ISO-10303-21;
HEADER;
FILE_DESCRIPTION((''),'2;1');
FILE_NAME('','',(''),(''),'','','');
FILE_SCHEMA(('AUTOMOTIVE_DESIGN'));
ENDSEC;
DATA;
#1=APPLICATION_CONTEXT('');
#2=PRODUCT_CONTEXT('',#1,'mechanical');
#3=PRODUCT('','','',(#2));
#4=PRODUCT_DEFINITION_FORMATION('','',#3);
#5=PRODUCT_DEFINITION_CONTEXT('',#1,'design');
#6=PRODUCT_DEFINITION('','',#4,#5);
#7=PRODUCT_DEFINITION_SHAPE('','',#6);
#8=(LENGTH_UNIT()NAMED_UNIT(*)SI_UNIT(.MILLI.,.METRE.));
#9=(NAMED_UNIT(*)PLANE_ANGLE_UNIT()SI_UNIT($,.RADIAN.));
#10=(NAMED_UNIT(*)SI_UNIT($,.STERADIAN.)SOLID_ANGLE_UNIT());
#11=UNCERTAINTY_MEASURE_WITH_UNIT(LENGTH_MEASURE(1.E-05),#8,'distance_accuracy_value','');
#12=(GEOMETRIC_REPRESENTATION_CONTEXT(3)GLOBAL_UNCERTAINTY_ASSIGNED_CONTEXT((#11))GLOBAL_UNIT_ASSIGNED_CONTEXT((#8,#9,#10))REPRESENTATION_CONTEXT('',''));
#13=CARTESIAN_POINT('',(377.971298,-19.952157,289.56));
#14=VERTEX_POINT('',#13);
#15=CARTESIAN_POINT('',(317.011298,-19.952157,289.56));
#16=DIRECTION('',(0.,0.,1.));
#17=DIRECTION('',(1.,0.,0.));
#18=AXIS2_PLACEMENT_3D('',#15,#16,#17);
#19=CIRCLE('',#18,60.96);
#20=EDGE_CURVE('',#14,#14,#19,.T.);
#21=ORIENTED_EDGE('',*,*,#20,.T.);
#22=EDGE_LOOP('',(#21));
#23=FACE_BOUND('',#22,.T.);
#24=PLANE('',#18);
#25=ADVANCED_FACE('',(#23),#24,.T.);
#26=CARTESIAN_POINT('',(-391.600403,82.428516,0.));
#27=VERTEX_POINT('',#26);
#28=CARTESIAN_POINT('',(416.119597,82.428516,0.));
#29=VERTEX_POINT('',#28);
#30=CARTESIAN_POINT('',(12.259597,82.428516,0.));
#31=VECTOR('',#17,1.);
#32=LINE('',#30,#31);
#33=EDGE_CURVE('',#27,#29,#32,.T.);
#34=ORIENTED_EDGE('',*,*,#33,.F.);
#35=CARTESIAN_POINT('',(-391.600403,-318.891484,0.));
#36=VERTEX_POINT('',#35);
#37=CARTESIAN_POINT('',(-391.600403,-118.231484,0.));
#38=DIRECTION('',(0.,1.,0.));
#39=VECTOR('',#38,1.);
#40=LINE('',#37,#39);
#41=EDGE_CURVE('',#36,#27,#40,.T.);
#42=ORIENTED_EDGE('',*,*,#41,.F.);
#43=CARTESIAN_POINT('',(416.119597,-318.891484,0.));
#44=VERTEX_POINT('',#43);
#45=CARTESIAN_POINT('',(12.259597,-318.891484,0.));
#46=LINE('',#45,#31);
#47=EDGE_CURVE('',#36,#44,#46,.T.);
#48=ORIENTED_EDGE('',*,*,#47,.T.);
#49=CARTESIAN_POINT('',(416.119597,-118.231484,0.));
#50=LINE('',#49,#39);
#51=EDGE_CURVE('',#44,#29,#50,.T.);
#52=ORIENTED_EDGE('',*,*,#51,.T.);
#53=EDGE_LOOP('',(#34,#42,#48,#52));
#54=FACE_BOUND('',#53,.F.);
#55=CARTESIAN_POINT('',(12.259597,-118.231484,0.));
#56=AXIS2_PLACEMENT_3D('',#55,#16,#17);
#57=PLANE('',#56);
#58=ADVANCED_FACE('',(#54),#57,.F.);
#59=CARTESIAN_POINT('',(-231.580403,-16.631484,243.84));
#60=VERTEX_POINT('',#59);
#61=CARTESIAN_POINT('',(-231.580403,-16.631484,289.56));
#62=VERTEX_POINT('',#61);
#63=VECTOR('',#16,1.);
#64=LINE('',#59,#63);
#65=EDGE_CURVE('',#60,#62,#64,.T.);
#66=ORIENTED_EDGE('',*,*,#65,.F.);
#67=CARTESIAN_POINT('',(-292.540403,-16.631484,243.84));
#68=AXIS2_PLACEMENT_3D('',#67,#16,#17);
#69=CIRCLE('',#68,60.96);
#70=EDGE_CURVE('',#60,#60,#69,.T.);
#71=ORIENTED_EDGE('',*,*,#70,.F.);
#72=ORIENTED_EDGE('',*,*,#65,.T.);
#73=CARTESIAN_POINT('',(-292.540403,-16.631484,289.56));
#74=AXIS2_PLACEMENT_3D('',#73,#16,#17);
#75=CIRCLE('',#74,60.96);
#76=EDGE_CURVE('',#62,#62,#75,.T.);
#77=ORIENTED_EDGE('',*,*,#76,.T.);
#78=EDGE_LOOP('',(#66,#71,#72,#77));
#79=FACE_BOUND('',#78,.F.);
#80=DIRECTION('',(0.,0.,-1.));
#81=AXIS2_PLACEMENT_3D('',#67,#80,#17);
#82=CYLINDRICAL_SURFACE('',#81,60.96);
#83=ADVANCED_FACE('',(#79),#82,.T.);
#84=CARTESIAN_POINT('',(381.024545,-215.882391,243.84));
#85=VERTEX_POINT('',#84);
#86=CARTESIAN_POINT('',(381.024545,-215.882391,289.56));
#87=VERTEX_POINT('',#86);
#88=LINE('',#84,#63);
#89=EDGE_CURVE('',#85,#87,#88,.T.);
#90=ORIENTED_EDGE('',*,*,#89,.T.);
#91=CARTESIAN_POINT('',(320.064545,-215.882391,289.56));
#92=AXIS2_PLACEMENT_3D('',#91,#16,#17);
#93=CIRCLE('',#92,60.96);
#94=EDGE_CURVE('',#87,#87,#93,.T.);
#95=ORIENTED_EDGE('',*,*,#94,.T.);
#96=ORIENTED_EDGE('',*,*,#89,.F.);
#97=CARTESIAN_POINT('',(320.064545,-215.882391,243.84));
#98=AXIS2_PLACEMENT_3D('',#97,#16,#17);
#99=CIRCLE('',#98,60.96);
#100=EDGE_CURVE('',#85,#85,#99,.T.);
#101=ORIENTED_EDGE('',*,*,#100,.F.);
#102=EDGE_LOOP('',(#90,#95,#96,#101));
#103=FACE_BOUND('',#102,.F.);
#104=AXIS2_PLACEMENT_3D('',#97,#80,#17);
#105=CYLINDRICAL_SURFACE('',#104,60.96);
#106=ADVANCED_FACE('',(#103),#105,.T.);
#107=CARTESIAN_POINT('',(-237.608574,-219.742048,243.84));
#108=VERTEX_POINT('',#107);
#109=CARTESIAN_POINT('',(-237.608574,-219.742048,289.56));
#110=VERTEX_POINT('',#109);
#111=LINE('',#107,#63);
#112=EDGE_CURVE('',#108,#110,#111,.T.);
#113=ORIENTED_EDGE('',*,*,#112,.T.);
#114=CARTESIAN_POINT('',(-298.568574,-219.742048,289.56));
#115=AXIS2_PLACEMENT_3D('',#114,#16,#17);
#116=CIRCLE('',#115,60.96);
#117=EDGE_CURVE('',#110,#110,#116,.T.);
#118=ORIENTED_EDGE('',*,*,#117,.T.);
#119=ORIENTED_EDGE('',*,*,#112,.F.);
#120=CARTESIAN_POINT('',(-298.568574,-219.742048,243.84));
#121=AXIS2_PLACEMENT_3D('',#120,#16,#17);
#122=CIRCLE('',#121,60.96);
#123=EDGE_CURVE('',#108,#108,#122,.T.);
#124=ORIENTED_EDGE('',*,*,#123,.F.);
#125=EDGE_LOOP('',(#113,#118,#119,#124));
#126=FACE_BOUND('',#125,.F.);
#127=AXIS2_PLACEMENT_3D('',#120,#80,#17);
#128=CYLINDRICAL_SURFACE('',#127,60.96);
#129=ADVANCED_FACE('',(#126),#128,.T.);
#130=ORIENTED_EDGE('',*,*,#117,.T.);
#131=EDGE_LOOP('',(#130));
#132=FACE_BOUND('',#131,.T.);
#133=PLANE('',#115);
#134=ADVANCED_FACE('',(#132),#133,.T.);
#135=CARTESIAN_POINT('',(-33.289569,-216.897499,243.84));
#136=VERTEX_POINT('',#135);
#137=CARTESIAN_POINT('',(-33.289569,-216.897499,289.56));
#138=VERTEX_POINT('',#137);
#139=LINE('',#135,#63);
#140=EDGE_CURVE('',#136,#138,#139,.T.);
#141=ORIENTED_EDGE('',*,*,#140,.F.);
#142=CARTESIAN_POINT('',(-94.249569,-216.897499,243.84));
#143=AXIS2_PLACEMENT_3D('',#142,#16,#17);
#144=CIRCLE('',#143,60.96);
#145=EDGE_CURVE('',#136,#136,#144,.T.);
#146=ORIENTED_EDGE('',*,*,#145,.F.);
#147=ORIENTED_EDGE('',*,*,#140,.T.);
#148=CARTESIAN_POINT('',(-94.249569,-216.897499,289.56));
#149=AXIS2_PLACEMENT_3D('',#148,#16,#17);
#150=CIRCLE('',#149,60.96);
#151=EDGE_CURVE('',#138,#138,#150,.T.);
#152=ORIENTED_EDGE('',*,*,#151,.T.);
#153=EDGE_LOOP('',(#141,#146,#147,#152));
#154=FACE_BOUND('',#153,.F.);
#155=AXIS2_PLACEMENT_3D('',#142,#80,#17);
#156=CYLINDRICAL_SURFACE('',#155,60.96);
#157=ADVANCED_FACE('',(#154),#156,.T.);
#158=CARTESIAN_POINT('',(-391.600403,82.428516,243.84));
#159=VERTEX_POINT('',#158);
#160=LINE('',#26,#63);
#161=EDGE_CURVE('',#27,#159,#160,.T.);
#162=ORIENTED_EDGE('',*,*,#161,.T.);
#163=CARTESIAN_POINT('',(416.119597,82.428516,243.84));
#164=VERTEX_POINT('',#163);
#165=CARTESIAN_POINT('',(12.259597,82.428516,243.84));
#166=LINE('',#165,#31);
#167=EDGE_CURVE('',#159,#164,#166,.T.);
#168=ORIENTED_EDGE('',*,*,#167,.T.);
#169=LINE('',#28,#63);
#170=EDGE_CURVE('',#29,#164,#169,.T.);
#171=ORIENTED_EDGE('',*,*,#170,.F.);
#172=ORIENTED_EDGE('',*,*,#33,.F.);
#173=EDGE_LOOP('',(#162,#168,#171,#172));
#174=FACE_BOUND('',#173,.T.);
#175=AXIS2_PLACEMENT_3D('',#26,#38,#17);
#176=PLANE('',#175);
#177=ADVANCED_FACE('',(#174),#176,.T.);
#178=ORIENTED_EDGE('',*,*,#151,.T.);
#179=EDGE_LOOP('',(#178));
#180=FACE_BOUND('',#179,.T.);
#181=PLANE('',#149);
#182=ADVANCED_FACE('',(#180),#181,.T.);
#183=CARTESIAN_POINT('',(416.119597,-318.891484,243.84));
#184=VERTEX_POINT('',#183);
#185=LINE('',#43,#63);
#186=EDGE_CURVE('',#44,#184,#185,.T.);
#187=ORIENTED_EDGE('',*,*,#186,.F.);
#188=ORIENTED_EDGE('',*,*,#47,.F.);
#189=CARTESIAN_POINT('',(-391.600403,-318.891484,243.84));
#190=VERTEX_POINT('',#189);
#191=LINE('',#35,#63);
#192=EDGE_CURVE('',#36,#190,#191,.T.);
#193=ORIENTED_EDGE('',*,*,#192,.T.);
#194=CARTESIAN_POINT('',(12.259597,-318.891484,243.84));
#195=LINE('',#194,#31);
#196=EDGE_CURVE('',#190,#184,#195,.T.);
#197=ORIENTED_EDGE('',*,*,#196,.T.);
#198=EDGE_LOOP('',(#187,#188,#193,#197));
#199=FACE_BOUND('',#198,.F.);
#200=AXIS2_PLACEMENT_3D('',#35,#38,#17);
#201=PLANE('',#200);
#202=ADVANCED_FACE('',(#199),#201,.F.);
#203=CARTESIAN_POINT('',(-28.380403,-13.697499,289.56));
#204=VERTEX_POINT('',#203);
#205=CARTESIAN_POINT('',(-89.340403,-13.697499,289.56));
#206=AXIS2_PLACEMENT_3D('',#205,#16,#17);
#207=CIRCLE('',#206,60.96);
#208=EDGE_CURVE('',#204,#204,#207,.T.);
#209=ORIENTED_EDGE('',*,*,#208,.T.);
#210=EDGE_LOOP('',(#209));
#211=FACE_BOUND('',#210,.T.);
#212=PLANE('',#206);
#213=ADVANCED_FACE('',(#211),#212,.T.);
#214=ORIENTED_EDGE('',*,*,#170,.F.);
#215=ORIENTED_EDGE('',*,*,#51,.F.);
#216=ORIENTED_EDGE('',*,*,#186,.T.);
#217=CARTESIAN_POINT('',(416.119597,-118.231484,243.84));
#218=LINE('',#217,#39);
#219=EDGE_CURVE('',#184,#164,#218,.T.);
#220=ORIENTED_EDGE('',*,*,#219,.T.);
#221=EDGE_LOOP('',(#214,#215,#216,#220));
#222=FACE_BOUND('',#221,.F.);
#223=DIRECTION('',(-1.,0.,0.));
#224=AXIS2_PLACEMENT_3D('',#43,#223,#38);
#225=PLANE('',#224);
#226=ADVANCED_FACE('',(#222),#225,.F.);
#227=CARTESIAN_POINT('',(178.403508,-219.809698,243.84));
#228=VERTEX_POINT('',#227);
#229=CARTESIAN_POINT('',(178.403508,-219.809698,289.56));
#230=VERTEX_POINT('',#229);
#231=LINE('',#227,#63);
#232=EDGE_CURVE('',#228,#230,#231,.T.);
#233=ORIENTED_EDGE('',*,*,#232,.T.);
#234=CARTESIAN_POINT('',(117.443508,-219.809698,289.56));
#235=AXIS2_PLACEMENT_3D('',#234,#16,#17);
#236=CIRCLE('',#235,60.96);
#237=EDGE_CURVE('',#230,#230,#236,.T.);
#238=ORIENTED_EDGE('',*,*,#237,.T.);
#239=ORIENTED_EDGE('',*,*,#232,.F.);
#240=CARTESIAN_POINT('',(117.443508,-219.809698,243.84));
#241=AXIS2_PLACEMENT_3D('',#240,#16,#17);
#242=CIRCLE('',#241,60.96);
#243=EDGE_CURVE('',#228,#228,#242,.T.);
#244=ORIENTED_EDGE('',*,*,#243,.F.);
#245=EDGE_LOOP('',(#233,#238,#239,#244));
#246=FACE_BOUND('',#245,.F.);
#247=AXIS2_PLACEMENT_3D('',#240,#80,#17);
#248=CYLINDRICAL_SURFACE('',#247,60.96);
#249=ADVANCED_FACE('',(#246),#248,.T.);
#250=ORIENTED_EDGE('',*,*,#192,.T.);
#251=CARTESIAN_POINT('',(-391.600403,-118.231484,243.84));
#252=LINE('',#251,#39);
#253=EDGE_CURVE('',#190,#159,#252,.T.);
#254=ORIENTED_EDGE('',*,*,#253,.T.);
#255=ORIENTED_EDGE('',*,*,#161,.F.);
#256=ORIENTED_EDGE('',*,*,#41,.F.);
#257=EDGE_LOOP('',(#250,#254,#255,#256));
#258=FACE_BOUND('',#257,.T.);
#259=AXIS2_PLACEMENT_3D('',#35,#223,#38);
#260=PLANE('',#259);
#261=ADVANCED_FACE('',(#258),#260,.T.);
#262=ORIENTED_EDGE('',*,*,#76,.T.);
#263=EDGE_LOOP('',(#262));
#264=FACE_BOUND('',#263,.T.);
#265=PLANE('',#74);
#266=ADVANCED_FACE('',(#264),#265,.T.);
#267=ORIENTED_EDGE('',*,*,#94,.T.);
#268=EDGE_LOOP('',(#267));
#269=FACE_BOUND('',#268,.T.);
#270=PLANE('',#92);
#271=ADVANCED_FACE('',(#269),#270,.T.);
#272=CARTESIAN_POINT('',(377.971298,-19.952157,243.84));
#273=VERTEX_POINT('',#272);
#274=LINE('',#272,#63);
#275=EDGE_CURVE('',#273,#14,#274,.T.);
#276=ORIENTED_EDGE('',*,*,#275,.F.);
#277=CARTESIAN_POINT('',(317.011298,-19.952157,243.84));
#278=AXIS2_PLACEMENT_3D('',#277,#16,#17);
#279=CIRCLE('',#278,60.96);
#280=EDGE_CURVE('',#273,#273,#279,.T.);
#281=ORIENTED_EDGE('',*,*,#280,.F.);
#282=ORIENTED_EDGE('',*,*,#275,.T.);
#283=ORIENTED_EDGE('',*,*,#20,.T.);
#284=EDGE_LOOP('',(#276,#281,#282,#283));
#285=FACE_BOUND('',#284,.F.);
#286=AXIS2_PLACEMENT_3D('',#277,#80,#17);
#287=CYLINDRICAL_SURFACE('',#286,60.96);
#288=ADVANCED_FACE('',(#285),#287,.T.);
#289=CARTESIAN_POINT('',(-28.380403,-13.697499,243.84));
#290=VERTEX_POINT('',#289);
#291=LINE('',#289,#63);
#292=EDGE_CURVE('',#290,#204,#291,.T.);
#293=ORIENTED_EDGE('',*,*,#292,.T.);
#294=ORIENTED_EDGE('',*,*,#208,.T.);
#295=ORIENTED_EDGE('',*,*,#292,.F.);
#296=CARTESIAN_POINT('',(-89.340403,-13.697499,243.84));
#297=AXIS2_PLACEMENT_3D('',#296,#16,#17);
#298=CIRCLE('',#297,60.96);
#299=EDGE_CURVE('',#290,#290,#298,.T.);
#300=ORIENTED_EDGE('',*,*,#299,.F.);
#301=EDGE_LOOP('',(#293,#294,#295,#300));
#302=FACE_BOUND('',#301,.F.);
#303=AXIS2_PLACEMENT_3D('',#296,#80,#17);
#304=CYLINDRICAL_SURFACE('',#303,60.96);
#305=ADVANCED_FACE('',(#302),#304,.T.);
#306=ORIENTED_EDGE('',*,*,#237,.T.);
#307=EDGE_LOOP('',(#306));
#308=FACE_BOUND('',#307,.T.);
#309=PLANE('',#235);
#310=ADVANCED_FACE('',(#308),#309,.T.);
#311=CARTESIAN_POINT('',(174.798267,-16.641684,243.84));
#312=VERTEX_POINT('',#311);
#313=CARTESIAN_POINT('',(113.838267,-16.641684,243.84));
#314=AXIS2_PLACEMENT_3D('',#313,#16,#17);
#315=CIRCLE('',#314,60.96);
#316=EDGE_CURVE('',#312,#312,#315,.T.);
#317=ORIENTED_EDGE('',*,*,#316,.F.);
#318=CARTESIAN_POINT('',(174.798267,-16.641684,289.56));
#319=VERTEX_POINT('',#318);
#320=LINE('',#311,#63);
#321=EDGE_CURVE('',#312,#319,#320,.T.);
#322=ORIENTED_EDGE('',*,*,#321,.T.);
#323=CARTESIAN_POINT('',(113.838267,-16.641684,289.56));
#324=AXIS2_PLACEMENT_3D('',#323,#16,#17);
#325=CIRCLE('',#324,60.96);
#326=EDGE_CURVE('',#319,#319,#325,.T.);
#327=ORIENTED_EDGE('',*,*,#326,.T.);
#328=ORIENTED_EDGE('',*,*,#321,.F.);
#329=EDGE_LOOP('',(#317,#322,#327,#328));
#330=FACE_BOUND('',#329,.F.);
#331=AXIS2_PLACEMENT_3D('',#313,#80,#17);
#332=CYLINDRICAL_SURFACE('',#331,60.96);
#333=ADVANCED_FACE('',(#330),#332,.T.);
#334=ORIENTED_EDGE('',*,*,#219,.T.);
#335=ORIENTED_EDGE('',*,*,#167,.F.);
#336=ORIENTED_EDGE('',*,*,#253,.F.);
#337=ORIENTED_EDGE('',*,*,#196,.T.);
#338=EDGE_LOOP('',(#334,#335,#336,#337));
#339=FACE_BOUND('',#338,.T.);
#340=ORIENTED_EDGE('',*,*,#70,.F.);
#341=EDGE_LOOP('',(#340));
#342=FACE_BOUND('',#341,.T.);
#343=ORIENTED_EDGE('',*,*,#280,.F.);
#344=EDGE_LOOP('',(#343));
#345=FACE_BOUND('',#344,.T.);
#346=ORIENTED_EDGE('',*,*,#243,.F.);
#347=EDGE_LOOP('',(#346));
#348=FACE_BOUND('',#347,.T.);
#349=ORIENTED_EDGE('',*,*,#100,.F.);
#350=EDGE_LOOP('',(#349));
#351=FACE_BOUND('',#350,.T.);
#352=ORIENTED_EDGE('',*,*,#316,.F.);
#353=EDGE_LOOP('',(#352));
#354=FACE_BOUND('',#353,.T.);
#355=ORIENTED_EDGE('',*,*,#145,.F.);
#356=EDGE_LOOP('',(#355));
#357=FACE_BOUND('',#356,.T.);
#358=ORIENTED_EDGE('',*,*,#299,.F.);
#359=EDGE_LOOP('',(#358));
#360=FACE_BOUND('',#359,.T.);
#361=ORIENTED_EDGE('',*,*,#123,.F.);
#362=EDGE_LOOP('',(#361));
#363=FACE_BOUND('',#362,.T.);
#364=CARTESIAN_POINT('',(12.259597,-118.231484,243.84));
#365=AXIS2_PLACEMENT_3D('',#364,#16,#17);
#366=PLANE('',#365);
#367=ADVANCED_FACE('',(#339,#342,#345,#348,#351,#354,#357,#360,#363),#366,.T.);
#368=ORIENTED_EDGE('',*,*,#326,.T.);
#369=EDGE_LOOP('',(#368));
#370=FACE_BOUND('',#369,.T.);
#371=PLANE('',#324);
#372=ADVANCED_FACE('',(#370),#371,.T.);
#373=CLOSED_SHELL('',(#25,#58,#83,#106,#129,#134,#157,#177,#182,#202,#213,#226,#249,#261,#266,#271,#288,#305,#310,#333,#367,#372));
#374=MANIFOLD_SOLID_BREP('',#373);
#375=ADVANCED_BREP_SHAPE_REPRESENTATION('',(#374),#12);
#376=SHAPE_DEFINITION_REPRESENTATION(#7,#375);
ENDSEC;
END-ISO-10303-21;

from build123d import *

# Parameters (mm, degrees)
F0_W     = 807.72
F0_H     = 401.32
F1_DEPTH = 243.84
F2_R     = 60.96
F3_DEPTH = 45.72
F4_W     = 746.76
F4_H     = 340.36
F4_R     = 82.55
F4_R_2   = 60.96
F5_DEPTH = 45.72


with BuildPart() as f1:
    # F0 (on Top) → F1 (new body)
    with BuildSketch(Plane.XY):
        with Locations((12.259597, -118.231484)):
            Rectangle(F0_W, F0_H)
    extrude(amount=F1_DEPTH)

    # F2 (on face) → F3 (join)
    with BuildSketch(Plane.XY.offset(243.84)):
        with Locations((113.838267, -16.641684)):
            Circle(F2_R)
        with Locations((317.011298, -19.952157)):
            Circle(F2_R)
        with Locations((-298.568574, -219.742048)):
            Circle(F2_R)
        with Locations((-94.249569, -216.897499)):
            Circle(F2_R)
        with Locations((117.443508, -219.809698)):
            Circle(F2_R)
        with Locations((320.064545, -215.882391)):
            Circle(F2_R)
        with Locations((-89.340403, -13.697499)):
            Circle(F2_R)
        with Locations((-292.540403, -16.631484)):
            Circle(F2_R)
    extrude(amount=F3_DEPTH)

    # F4 (on Top) → F5 (join)
    with BuildSketch(Plane.XY):
        with Locations((12.259597, -118.231484)):
            Rectangle(F4_W, F4_H)
        with Locations((-208.453938, -102.044091)):
            Circle(F4_R, mode=Mode.SUBTRACT)
        with Locations((27.986567, -95.26559)):
            Circle(F4_R, mode=Mode.SUBTRACT)
        with Locations((240.385324, -99.75633)):
            Circle(F4_R, mode=Mode.SUBTRACT)
        with Locations((-208.453938, -102.044091)):
            Circle(F4_R_2)
        with Locations((27.986567, -95.26559)):
            Circle(F4_R_2)
        with Locations((240.385324, -99.75633)):
            Circle(F4_R_2)
    extrude(amount=F5_DEPTH)


solid = f1.part
